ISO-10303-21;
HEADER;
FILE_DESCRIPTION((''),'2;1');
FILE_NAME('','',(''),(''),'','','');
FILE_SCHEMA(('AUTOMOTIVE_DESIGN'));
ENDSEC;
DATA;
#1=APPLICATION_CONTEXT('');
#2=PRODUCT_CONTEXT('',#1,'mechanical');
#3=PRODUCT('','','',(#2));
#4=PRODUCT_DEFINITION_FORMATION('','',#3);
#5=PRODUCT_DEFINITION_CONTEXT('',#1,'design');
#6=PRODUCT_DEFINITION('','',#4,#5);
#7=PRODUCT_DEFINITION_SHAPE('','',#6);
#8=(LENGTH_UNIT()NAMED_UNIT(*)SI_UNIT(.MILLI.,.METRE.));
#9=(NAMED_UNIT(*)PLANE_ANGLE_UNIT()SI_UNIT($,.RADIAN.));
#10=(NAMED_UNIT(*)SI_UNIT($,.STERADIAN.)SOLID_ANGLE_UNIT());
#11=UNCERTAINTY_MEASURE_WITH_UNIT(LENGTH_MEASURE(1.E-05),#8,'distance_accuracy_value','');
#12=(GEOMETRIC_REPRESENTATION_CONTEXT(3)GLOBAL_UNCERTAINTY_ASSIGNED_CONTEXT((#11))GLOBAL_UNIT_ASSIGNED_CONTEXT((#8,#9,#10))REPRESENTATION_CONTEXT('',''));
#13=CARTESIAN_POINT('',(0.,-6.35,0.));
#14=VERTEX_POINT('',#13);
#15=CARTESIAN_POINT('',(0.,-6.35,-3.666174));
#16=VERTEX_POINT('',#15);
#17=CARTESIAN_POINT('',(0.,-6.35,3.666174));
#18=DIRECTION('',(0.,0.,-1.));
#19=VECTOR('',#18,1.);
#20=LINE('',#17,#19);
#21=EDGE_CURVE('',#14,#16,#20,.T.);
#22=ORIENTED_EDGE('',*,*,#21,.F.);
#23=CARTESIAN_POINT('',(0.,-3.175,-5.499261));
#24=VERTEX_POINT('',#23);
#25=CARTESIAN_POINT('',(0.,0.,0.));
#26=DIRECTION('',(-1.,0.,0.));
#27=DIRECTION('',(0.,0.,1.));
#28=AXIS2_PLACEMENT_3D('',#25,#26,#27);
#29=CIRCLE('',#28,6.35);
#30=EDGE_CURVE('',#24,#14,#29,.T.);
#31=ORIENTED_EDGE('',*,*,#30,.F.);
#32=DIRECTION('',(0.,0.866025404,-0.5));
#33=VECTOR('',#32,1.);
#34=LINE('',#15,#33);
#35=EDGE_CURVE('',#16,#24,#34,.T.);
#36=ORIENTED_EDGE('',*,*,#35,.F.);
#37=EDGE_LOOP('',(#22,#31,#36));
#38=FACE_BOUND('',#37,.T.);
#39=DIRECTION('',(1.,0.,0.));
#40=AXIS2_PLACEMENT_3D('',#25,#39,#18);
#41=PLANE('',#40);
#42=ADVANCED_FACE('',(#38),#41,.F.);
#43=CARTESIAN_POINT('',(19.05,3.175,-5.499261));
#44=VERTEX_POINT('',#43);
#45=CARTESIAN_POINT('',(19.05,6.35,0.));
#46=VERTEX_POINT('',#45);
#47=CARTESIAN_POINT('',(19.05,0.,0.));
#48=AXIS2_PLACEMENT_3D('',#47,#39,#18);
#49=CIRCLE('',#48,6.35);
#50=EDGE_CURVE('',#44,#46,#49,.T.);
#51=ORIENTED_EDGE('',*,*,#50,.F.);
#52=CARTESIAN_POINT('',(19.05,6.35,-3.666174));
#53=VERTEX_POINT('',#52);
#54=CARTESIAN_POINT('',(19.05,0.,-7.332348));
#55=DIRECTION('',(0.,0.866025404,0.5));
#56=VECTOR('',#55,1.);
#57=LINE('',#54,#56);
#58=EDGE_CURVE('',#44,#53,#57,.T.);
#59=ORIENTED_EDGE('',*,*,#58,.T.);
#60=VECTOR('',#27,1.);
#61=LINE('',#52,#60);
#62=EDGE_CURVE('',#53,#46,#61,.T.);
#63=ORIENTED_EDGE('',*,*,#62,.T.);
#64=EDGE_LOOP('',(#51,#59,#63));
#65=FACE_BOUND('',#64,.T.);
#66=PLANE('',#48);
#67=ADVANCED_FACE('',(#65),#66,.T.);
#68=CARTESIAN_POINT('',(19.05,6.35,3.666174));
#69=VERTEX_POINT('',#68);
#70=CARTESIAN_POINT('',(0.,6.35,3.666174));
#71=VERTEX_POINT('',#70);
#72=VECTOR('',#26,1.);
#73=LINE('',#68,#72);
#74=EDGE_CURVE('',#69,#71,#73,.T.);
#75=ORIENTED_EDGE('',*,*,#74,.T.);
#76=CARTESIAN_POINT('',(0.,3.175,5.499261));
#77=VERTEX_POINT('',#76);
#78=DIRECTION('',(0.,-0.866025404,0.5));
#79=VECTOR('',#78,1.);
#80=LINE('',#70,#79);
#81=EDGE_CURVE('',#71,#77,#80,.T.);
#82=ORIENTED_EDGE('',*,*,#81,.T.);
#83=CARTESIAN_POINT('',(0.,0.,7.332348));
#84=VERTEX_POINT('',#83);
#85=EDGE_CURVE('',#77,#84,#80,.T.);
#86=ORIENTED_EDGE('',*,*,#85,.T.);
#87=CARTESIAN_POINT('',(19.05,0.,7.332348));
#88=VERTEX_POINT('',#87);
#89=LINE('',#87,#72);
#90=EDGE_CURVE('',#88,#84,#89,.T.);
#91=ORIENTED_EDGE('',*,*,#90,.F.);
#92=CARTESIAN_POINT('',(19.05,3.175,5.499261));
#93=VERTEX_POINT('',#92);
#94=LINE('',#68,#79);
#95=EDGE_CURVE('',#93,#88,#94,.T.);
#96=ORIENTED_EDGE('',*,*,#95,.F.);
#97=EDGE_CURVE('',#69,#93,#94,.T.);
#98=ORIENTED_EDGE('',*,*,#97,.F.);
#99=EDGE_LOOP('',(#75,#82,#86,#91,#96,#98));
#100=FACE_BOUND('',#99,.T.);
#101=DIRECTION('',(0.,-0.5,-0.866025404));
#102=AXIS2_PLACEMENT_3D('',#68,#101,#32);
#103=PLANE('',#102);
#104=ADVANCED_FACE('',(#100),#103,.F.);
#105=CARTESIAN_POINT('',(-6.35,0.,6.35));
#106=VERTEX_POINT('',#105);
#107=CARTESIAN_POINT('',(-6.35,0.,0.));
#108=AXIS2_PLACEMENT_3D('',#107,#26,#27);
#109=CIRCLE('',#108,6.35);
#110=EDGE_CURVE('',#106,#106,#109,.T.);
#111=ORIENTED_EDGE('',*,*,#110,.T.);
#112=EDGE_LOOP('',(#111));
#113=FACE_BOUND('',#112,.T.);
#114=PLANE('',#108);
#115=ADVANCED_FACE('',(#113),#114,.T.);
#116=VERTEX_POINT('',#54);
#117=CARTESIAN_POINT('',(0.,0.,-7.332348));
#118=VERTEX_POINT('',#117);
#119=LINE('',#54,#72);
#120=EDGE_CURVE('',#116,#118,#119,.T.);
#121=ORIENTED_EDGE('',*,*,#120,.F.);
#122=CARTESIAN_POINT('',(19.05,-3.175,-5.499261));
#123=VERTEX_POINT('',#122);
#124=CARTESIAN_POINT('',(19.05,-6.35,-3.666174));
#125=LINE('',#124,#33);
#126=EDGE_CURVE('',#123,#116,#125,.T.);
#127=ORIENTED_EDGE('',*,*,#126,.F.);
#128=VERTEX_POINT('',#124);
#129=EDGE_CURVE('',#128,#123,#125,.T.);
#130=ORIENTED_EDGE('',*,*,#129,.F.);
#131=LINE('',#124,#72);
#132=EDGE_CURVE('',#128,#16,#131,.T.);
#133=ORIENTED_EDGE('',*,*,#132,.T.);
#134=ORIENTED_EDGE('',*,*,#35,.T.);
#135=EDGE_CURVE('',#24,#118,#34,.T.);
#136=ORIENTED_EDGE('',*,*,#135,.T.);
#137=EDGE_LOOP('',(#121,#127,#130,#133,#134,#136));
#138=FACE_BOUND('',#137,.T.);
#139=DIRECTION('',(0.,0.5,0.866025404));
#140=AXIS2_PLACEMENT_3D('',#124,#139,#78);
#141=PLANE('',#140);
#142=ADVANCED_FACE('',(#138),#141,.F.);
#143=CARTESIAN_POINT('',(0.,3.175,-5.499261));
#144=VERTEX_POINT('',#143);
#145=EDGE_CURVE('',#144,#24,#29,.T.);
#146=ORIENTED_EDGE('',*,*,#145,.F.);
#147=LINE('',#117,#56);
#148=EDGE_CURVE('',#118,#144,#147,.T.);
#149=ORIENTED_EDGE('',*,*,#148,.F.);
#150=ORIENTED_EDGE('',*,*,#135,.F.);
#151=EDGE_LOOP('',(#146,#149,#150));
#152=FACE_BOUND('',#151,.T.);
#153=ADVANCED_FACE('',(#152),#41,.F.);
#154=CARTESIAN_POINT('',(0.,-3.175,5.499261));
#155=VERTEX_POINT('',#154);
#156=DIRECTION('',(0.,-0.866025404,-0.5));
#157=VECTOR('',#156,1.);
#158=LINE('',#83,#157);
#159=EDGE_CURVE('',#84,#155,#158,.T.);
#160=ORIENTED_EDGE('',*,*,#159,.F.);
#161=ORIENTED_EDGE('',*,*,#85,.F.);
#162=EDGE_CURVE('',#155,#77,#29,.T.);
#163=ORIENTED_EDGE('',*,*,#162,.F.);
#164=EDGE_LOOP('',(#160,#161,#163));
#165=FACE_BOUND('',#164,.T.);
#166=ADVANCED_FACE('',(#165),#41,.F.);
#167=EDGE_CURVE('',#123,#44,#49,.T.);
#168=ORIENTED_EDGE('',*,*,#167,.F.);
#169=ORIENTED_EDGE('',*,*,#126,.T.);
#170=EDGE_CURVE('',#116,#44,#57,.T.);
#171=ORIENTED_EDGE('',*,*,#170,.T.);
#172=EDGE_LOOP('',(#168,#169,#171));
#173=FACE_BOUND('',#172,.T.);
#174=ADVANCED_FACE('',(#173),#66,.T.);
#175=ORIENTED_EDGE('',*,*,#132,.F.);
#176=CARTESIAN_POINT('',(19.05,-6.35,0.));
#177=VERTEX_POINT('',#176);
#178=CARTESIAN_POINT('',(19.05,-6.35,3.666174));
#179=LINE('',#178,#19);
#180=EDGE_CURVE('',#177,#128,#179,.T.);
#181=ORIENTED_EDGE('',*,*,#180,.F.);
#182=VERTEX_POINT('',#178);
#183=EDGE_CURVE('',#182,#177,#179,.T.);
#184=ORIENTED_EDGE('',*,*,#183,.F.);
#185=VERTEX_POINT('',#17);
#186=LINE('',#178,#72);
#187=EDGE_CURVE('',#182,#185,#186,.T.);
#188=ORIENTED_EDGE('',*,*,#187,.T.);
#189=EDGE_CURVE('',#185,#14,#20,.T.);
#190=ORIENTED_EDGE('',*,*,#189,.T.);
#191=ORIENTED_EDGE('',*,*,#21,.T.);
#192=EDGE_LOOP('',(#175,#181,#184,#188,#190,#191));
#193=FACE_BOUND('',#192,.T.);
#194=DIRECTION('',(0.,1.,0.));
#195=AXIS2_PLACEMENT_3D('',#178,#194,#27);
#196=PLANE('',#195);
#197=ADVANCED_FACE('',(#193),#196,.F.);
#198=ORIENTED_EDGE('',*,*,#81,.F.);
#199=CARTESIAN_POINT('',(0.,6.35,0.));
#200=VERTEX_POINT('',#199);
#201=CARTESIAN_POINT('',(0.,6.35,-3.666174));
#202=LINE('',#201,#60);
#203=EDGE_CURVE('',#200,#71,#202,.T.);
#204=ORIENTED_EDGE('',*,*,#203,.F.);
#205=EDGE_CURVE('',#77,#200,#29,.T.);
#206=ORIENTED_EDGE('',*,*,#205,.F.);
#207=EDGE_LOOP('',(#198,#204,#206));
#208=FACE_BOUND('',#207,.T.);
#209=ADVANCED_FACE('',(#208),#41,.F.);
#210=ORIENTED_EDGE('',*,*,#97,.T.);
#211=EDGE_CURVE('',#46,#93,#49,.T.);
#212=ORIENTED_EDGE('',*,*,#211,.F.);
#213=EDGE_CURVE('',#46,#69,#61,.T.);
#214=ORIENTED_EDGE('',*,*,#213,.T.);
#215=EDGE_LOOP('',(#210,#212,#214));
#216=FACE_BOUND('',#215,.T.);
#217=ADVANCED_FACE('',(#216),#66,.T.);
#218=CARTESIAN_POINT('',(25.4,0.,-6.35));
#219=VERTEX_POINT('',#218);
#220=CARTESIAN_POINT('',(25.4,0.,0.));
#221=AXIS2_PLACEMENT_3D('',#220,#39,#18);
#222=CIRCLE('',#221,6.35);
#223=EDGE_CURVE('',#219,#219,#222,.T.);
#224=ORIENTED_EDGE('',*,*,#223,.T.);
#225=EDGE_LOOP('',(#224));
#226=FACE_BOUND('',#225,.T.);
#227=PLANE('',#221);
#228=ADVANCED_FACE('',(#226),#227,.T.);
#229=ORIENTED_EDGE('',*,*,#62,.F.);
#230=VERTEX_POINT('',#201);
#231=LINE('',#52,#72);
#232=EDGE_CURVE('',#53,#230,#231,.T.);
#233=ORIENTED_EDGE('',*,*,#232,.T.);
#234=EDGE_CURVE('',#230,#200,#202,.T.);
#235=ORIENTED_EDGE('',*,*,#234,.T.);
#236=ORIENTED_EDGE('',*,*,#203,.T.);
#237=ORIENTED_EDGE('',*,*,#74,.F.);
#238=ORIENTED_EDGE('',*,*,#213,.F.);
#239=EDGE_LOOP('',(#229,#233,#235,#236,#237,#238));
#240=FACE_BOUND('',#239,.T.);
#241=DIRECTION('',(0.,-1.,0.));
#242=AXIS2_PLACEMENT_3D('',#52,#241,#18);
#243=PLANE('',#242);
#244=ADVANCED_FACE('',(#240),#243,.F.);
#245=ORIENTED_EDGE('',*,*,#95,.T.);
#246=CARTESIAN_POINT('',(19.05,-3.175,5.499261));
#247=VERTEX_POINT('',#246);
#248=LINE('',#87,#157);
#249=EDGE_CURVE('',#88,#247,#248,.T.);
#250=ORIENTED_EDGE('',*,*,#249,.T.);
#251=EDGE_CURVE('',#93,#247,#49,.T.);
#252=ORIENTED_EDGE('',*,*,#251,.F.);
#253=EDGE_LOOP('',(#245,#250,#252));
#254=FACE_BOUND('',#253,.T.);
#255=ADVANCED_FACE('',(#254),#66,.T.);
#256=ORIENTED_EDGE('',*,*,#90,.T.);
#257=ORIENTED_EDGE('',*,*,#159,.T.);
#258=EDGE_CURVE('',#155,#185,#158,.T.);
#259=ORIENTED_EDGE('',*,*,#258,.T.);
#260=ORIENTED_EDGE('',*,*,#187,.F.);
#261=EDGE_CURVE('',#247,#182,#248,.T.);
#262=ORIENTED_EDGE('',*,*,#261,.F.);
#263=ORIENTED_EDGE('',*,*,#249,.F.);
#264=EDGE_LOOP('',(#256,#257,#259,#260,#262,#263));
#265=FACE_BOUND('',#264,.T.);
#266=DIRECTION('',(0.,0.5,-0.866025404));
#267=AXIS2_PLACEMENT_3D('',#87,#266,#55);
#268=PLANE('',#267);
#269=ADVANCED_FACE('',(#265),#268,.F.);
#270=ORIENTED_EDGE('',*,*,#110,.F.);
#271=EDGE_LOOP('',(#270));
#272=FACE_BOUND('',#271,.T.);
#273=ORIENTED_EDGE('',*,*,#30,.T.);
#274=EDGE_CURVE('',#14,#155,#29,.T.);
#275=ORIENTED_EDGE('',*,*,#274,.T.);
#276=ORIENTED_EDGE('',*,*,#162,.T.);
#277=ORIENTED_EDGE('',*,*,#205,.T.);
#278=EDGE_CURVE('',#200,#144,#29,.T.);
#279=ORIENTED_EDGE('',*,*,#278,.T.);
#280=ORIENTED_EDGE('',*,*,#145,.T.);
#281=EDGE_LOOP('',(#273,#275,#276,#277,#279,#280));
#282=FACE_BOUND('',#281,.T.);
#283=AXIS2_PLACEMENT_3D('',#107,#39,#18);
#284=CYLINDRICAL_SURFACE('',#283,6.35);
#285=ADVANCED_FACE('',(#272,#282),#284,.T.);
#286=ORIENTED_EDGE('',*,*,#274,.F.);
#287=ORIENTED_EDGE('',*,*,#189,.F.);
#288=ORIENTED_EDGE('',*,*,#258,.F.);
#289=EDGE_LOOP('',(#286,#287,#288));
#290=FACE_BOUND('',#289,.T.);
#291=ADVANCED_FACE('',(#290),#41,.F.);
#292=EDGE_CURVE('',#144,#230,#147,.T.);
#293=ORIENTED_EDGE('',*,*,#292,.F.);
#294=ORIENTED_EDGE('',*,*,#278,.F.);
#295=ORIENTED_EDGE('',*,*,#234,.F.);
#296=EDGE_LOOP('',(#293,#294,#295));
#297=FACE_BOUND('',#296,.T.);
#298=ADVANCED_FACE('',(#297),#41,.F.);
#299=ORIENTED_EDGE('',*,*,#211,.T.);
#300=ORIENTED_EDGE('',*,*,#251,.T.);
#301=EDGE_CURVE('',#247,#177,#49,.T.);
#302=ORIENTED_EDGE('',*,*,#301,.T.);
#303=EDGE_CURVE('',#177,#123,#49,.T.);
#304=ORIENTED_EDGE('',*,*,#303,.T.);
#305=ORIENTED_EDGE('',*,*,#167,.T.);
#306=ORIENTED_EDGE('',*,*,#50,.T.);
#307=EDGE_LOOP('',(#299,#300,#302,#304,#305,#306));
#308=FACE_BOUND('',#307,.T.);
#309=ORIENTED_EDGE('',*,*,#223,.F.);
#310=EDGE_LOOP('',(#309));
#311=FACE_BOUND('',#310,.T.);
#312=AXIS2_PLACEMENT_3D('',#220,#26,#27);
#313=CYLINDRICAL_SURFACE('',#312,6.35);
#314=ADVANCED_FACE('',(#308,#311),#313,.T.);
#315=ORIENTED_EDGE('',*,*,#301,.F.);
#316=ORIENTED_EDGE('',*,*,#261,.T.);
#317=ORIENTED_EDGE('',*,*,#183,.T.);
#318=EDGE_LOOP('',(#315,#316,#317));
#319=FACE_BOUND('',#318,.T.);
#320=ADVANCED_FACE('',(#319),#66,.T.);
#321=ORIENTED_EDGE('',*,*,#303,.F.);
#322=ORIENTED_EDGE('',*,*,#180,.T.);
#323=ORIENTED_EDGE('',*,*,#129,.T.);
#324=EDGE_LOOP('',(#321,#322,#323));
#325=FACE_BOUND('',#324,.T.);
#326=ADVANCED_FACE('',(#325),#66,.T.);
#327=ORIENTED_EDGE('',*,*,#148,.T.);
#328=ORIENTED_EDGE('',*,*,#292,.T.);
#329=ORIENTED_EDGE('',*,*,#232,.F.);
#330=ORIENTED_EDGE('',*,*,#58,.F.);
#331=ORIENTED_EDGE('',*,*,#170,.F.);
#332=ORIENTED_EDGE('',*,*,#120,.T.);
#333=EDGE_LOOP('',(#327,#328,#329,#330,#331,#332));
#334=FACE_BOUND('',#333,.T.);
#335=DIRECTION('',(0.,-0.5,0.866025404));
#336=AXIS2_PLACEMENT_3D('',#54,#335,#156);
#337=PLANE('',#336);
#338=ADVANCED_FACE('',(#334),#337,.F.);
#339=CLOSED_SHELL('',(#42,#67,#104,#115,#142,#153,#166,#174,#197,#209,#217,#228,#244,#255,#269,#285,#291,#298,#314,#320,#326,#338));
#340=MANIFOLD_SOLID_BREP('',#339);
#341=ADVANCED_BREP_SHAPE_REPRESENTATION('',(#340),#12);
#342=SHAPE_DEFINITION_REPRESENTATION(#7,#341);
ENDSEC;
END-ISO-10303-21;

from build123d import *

# Parameters (mm, degrees)
BOSS_EXTRUDE1_DEPTH = 19.05
SKETCH2_R           = 6.35
BOSS_EXTRUDE2_DEPTH = 6.35
BOSS_EXTRUDE3_START = 6.35
SKETCH3_R           = 6.35
BOSS_EXTRUDE3_DEPTH = 6.35


with BuildPart() as part:
    # Sketch1 → Boss-Extrude1 (new body)
    with BuildSketch(Plane(origin=(0, 0, 0), x_dir=(0, 0, -1), z_dir=(1, 0, 0))):
        Polygon((-3.666174209, -6.35), (3.666174209, -6.35), (7.332348419, 0), (3.666174209, 6.35), (-3.666174209, 6.35), (-7.332348419, 0), align=None)
    extrude(amount=BOSS_EXTRUDE1_DEPTH)

    # Sketch2 → Boss-Extrude2 (add)
    with BuildSketch(Plane(origin=(19.05, 0, 0), x_dir=(0, 0, -1), z_dir=(1, 0, 0))):
        with Locations(Location((0, 0, 0), (0, 0, 150))):
            Circle(SKETCH2_R)
    extrude(amount=BOSS_EXTRUDE2_DEPTH)

    # Sketch3 → Boss-Extrude3 (add)
    with BuildSketch(Plane.ZY.offset(BOSS_EXTRUDE3_START)):
        with Locations(Location((0, 0, 0), (0, 0, 30))):
            Circle(SKETCH3_R)
    extrude(amount=-BOSS_EXTRUDE3_DEPTH)


solid = part.part
